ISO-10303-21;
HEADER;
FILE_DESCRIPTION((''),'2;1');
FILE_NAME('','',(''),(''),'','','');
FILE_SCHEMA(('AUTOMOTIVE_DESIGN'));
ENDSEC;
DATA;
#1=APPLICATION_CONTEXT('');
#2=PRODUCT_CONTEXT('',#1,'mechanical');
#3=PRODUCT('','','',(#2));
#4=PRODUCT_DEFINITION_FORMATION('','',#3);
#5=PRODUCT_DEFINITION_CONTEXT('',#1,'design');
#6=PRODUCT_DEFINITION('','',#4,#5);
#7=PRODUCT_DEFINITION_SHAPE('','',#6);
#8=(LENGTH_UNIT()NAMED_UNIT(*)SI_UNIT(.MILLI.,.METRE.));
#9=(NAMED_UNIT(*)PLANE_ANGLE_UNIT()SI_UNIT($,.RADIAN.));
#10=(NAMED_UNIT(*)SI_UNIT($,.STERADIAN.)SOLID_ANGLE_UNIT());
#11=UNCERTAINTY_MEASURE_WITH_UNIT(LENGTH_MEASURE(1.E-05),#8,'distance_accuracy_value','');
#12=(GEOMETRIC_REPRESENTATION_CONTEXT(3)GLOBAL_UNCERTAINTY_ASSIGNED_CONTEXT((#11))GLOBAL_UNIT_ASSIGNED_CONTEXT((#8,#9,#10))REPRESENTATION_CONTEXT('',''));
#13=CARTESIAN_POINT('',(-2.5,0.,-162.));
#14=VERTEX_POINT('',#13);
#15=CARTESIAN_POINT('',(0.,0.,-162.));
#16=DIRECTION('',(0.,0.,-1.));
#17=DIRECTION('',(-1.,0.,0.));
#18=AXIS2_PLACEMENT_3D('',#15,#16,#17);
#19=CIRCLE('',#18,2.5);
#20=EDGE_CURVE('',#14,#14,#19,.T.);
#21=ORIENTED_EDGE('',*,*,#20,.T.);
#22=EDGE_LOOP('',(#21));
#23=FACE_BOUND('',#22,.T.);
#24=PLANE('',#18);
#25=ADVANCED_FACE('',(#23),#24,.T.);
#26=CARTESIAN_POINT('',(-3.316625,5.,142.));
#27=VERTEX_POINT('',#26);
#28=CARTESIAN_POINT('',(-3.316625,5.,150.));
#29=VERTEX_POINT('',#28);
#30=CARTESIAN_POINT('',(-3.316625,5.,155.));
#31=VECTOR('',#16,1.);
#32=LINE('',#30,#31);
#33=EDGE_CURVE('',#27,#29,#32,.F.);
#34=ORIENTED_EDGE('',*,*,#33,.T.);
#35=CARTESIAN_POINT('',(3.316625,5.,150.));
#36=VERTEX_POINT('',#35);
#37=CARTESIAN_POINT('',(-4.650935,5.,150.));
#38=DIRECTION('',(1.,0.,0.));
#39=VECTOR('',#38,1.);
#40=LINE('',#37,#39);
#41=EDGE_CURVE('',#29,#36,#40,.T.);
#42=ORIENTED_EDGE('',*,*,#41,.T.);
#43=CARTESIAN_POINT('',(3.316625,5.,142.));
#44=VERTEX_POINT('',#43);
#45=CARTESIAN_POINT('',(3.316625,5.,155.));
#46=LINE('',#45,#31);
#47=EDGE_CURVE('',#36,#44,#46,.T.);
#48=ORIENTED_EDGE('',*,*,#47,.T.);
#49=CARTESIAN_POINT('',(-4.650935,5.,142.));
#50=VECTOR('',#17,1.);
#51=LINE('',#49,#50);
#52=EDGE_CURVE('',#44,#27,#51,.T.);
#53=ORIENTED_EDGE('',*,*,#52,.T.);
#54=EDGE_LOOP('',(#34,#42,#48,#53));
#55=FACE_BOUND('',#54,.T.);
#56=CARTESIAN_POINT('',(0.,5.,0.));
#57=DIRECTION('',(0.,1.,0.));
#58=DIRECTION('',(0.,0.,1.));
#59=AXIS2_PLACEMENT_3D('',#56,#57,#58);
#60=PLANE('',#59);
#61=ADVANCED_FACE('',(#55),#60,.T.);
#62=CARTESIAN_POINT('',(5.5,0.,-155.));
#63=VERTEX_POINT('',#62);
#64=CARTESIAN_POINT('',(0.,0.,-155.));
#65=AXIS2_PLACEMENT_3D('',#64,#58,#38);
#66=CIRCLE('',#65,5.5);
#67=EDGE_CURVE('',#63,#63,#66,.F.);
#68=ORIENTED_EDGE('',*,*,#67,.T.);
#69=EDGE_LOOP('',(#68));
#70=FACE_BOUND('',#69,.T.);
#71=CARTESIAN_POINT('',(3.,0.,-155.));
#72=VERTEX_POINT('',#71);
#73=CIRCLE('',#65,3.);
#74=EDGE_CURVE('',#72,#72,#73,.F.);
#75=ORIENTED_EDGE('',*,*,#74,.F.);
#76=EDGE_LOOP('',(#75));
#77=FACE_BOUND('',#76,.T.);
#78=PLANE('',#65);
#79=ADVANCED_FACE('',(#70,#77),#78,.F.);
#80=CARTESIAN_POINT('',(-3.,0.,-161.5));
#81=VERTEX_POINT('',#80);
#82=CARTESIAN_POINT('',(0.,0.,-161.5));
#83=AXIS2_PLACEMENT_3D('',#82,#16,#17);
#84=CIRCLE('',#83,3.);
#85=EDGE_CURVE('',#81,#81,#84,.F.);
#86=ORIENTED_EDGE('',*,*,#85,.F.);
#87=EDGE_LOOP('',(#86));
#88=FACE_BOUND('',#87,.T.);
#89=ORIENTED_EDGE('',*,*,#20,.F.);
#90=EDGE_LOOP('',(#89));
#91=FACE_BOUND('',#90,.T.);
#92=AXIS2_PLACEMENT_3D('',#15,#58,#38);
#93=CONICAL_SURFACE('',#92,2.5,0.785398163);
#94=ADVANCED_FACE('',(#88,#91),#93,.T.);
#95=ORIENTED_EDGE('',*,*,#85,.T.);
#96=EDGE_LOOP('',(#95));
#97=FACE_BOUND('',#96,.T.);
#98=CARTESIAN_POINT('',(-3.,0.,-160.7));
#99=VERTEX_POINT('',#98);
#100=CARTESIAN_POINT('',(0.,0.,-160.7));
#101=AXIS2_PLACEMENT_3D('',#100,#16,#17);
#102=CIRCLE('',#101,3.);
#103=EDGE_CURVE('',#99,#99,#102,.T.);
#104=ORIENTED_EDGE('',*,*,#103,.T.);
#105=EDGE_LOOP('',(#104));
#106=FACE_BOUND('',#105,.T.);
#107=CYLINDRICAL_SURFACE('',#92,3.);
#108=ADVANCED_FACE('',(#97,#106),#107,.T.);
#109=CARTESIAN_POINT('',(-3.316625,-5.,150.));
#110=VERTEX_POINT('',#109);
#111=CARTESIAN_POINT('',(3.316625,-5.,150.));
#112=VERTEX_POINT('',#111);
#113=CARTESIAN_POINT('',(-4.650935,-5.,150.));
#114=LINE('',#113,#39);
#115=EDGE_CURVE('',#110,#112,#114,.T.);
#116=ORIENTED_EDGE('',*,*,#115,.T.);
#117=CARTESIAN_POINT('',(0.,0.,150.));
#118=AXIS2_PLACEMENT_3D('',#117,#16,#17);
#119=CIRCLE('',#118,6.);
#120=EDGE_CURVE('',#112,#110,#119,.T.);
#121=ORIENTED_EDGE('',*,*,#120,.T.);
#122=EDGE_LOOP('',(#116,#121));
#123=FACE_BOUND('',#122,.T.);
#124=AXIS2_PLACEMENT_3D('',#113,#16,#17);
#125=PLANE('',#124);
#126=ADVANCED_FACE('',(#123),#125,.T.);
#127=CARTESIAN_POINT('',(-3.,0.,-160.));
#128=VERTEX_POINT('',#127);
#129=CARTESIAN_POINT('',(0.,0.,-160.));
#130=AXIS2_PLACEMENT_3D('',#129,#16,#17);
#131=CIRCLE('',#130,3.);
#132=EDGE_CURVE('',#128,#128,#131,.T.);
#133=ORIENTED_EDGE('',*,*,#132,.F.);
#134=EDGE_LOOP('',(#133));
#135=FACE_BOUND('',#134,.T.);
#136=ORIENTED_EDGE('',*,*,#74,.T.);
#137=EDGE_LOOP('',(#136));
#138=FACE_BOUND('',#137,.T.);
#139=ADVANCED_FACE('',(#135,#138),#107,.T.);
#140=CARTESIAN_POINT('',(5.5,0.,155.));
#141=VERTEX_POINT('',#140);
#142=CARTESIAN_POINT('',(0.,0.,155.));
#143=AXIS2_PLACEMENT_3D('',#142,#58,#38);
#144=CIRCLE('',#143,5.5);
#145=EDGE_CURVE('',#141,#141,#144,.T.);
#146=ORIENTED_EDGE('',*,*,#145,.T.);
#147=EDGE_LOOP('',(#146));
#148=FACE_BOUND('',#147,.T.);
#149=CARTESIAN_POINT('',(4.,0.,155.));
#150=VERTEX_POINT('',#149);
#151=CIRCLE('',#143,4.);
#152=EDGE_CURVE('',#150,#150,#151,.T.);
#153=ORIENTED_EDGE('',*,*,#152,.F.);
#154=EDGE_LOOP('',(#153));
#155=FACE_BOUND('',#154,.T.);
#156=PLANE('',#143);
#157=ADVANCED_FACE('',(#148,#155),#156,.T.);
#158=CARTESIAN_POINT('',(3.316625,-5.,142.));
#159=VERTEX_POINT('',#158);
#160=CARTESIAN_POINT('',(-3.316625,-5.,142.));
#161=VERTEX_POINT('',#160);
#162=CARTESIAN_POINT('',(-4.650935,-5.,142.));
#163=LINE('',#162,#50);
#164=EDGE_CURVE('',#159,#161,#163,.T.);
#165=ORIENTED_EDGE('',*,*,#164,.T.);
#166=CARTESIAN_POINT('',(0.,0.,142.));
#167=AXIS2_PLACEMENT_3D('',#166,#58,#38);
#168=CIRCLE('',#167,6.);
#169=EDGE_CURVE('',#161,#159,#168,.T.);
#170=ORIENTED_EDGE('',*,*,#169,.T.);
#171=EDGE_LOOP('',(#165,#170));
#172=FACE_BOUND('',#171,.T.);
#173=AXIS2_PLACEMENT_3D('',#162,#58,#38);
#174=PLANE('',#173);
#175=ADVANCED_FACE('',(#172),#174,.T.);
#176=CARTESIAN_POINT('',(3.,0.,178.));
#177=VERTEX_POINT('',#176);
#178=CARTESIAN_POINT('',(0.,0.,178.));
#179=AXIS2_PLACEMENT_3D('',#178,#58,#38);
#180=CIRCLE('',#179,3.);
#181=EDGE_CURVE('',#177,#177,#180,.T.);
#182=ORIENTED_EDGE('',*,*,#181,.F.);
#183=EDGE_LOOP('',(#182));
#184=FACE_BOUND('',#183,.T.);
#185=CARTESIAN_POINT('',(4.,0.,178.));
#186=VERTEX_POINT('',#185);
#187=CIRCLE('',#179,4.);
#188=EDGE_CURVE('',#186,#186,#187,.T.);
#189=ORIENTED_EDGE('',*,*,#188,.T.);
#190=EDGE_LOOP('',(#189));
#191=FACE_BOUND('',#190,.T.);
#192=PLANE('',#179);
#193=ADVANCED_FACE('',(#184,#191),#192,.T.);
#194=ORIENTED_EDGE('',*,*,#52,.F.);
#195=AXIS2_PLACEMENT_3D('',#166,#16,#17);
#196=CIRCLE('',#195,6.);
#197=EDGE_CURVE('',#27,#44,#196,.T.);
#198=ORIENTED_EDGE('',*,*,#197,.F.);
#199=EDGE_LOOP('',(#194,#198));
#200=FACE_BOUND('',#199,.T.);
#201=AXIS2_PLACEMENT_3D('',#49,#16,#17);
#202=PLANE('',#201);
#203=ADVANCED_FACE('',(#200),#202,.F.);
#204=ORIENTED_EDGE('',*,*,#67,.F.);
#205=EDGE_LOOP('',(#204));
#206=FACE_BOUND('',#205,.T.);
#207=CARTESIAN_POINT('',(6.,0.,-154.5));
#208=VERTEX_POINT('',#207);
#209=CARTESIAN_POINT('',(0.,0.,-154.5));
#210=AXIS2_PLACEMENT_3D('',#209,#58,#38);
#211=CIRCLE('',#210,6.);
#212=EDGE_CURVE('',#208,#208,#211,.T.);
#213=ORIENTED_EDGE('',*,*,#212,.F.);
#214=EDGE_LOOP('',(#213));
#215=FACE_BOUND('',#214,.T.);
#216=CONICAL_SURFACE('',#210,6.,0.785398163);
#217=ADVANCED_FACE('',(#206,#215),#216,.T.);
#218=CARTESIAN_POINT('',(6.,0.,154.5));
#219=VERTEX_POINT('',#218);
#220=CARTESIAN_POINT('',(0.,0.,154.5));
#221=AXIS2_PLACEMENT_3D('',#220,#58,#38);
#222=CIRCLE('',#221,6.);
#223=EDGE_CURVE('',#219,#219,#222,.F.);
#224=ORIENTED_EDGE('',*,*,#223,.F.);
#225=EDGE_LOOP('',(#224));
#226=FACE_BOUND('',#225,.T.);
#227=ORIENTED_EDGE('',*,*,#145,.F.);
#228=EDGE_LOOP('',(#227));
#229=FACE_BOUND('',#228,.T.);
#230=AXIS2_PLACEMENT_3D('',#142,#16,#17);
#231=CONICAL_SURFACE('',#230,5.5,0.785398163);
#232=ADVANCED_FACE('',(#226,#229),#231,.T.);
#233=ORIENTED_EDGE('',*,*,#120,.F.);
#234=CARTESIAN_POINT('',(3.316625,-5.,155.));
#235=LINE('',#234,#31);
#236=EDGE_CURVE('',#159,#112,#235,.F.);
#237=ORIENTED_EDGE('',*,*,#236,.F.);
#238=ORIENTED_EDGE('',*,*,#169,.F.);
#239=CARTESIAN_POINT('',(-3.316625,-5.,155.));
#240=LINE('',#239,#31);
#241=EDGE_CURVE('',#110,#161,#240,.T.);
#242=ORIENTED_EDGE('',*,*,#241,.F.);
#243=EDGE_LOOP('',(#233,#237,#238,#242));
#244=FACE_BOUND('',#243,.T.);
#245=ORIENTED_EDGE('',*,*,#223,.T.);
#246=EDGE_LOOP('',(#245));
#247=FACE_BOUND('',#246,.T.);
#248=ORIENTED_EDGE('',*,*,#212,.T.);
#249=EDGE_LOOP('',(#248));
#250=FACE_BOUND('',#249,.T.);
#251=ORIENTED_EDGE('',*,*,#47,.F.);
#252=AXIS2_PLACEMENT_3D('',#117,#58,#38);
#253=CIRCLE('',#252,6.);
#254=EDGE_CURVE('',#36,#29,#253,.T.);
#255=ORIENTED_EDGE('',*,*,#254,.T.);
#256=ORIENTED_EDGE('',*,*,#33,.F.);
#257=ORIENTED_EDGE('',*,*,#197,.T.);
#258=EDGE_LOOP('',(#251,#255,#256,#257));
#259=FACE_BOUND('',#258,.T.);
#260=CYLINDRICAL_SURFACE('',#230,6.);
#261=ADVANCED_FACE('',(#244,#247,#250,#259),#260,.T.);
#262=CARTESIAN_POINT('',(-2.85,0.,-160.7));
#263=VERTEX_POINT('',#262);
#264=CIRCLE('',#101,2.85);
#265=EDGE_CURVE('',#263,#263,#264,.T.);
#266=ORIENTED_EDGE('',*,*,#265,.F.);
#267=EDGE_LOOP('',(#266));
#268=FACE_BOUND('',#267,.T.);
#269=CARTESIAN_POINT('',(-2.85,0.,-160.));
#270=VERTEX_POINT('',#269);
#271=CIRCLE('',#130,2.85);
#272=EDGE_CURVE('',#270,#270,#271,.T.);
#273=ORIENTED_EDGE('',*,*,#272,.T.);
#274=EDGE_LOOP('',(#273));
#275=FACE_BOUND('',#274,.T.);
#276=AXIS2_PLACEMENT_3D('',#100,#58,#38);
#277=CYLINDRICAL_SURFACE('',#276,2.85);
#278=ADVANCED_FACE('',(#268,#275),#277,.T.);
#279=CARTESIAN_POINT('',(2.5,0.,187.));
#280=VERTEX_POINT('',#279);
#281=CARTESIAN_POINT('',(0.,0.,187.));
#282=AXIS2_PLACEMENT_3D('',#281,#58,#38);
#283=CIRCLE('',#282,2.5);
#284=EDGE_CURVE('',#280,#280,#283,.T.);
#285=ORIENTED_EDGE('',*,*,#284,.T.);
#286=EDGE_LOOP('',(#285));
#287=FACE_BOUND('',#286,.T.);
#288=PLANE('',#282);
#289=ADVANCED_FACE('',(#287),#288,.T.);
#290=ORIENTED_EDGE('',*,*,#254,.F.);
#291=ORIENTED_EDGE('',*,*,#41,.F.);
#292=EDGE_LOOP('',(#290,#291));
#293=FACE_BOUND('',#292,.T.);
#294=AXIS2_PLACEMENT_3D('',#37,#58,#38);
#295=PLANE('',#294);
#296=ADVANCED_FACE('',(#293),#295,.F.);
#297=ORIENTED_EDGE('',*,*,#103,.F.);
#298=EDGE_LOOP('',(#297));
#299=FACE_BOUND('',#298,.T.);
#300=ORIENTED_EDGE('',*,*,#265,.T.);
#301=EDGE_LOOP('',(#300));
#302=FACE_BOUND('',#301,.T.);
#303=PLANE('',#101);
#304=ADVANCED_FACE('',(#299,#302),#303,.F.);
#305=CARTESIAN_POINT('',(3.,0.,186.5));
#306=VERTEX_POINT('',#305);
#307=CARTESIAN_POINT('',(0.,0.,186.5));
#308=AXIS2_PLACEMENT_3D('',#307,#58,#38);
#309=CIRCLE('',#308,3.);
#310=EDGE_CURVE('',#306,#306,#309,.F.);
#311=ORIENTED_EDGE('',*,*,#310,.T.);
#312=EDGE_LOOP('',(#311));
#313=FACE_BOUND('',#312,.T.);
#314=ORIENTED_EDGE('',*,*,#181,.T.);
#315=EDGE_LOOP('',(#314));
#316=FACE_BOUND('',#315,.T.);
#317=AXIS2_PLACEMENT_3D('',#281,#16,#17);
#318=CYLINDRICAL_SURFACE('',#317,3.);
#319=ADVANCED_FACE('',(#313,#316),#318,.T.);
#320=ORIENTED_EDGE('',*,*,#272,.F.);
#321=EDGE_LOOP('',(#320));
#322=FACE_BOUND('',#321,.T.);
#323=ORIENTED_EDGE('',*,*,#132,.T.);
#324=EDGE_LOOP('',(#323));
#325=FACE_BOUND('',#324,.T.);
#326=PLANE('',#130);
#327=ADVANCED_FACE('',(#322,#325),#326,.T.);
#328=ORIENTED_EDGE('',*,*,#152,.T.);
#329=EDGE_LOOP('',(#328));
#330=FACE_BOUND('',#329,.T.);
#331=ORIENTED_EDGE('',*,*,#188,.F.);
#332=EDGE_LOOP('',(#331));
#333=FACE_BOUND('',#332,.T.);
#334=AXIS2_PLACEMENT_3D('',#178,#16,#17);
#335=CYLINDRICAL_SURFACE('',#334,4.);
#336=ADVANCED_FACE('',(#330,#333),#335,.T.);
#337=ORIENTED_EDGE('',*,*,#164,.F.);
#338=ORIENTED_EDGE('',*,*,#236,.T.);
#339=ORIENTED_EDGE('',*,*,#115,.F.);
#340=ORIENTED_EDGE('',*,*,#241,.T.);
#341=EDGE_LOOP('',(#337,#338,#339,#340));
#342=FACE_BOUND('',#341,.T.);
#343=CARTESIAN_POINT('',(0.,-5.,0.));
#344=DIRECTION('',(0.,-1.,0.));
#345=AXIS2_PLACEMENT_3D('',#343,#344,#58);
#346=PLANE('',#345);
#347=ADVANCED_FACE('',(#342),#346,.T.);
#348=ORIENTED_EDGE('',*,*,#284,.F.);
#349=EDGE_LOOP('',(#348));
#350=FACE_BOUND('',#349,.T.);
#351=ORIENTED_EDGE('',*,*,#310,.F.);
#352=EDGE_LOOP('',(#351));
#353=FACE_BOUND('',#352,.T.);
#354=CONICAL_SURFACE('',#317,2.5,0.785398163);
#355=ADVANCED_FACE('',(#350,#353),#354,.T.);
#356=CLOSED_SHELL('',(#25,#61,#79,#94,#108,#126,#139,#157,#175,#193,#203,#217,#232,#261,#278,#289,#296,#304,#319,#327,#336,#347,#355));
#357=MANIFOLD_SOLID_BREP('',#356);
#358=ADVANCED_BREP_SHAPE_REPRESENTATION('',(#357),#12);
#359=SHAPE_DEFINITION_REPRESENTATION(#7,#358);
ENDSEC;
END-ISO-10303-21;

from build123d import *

# Parameters (mm, degrees)
SKETCH_1_R          = 6
EXTRUDE_1_DEPTH     = 155
SKETCH_2_R          = 3
EXTRUDE_2_DEPTH     = 7
CUT_EXTRUDE_START   = 5
SKETCH_3_R          = 3
SKETCH_3_R_2        = 2.85
CUT_EXTRUDE_1_DEPTH = 0.7
SKETCH_4_R          = 4
EXTRUDE_3_DEPTH     = 23
EXTRUDE_START       = 9
SKETCH_5_R          = 3
EXTRUDE_4_DEPTH     = 9
CHAMFER_1_SIZE      = 0.5
SKETCH_6_W          = 9.301869948
SKETCH_6_H          = 8
CUT_EXTRUDE_2_DEPTH = 1


with BuildPart() as part:
    # 草图1 → 凸台-拉伸1 (new, symmetric)
    with BuildSketch(Plane.XY):
        Circle(SKETCH_1_R)
    extrude(amount=EXTRUDE_1_DEPTH, both=True)

    # 草图2 → 凸台-拉伸2 (add)
    with BuildSketch(Plane(origin=(0, 0, -155), x_dir=(-1, 0, 0), z_dir=(0, 0, -1))):
        with Locations(Location((0, 0, 0), (0, 0, 180))):
            Circle(SKETCH_2_R)
    extrude(amount=EXTRUDE_2_DEPTH)

    # 草图3 → 切除-拉伸1 (cut)
    with BuildSketch(Plane(origin=(0, 0, -155), x_dir=(-1, 0, 0), z_dir=(0, 0, -1)).offset(CUT_EXTRUDE_START)):
        with Locations(Location((0, 0, 0), (0, 0, 180))):
            Circle(SKETCH_3_R)
        Circle(SKETCH_3_R_2, mode=Mode.SUBTRACT)
    extrude(amount=CUT_EXTRUDE_1_DEPTH, mode=Mode.SUBTRACT)

    # 草图4 → 凸台-拉伸3 (add)
    with BuildSketch(Plane.XY.offset(155)):
        Circle(SKETCH_4_R)
    extrude(amount=EXTRUDE_3_DEPTH)

    # 草图5 → 凸台-拉伸4 (add)
    with BuildSketch(Plane.XY.offset(178).offset(EXTRUDE_START)):
        Circle(SKETCH_5_R)
    extrude(amount=-EXTRUDE_4_DEPTH)

    # 倒角1
    chamfer_1_edges = [part.edges().sort_by_distance(p)[0] for p in [
        (-6, 0, -155),
        (-3, 0, 187),
        (-6, 0, 155),
        (-3, 0, -162),
    ]]
    chamfer(chamfer_1_edges, length=CHAMFER_1_SIZE)

    # 草图6 → 切除-拉伸2 (cut)
    with BuildSketch(Plane(origin=(0, 6, 0), x_dir=(1, 0, 0), z_dir=(0, 1, 0))):
        with Locations((0, -146)):
            Rectangle(SKETCH_6_W, SKETCH_6_H)
    cut_extrude_2 = extrude(amount=-CUT_EXTRUDE_2_DEPTH, mode=Mode.SUBTRACT)

    # 镜向1: 切除-拉伸2 across plane
    add(cut_extrude_2.mirror(Plane.ZX), mode=Mode.SUBTRACT)


solid = part.part
